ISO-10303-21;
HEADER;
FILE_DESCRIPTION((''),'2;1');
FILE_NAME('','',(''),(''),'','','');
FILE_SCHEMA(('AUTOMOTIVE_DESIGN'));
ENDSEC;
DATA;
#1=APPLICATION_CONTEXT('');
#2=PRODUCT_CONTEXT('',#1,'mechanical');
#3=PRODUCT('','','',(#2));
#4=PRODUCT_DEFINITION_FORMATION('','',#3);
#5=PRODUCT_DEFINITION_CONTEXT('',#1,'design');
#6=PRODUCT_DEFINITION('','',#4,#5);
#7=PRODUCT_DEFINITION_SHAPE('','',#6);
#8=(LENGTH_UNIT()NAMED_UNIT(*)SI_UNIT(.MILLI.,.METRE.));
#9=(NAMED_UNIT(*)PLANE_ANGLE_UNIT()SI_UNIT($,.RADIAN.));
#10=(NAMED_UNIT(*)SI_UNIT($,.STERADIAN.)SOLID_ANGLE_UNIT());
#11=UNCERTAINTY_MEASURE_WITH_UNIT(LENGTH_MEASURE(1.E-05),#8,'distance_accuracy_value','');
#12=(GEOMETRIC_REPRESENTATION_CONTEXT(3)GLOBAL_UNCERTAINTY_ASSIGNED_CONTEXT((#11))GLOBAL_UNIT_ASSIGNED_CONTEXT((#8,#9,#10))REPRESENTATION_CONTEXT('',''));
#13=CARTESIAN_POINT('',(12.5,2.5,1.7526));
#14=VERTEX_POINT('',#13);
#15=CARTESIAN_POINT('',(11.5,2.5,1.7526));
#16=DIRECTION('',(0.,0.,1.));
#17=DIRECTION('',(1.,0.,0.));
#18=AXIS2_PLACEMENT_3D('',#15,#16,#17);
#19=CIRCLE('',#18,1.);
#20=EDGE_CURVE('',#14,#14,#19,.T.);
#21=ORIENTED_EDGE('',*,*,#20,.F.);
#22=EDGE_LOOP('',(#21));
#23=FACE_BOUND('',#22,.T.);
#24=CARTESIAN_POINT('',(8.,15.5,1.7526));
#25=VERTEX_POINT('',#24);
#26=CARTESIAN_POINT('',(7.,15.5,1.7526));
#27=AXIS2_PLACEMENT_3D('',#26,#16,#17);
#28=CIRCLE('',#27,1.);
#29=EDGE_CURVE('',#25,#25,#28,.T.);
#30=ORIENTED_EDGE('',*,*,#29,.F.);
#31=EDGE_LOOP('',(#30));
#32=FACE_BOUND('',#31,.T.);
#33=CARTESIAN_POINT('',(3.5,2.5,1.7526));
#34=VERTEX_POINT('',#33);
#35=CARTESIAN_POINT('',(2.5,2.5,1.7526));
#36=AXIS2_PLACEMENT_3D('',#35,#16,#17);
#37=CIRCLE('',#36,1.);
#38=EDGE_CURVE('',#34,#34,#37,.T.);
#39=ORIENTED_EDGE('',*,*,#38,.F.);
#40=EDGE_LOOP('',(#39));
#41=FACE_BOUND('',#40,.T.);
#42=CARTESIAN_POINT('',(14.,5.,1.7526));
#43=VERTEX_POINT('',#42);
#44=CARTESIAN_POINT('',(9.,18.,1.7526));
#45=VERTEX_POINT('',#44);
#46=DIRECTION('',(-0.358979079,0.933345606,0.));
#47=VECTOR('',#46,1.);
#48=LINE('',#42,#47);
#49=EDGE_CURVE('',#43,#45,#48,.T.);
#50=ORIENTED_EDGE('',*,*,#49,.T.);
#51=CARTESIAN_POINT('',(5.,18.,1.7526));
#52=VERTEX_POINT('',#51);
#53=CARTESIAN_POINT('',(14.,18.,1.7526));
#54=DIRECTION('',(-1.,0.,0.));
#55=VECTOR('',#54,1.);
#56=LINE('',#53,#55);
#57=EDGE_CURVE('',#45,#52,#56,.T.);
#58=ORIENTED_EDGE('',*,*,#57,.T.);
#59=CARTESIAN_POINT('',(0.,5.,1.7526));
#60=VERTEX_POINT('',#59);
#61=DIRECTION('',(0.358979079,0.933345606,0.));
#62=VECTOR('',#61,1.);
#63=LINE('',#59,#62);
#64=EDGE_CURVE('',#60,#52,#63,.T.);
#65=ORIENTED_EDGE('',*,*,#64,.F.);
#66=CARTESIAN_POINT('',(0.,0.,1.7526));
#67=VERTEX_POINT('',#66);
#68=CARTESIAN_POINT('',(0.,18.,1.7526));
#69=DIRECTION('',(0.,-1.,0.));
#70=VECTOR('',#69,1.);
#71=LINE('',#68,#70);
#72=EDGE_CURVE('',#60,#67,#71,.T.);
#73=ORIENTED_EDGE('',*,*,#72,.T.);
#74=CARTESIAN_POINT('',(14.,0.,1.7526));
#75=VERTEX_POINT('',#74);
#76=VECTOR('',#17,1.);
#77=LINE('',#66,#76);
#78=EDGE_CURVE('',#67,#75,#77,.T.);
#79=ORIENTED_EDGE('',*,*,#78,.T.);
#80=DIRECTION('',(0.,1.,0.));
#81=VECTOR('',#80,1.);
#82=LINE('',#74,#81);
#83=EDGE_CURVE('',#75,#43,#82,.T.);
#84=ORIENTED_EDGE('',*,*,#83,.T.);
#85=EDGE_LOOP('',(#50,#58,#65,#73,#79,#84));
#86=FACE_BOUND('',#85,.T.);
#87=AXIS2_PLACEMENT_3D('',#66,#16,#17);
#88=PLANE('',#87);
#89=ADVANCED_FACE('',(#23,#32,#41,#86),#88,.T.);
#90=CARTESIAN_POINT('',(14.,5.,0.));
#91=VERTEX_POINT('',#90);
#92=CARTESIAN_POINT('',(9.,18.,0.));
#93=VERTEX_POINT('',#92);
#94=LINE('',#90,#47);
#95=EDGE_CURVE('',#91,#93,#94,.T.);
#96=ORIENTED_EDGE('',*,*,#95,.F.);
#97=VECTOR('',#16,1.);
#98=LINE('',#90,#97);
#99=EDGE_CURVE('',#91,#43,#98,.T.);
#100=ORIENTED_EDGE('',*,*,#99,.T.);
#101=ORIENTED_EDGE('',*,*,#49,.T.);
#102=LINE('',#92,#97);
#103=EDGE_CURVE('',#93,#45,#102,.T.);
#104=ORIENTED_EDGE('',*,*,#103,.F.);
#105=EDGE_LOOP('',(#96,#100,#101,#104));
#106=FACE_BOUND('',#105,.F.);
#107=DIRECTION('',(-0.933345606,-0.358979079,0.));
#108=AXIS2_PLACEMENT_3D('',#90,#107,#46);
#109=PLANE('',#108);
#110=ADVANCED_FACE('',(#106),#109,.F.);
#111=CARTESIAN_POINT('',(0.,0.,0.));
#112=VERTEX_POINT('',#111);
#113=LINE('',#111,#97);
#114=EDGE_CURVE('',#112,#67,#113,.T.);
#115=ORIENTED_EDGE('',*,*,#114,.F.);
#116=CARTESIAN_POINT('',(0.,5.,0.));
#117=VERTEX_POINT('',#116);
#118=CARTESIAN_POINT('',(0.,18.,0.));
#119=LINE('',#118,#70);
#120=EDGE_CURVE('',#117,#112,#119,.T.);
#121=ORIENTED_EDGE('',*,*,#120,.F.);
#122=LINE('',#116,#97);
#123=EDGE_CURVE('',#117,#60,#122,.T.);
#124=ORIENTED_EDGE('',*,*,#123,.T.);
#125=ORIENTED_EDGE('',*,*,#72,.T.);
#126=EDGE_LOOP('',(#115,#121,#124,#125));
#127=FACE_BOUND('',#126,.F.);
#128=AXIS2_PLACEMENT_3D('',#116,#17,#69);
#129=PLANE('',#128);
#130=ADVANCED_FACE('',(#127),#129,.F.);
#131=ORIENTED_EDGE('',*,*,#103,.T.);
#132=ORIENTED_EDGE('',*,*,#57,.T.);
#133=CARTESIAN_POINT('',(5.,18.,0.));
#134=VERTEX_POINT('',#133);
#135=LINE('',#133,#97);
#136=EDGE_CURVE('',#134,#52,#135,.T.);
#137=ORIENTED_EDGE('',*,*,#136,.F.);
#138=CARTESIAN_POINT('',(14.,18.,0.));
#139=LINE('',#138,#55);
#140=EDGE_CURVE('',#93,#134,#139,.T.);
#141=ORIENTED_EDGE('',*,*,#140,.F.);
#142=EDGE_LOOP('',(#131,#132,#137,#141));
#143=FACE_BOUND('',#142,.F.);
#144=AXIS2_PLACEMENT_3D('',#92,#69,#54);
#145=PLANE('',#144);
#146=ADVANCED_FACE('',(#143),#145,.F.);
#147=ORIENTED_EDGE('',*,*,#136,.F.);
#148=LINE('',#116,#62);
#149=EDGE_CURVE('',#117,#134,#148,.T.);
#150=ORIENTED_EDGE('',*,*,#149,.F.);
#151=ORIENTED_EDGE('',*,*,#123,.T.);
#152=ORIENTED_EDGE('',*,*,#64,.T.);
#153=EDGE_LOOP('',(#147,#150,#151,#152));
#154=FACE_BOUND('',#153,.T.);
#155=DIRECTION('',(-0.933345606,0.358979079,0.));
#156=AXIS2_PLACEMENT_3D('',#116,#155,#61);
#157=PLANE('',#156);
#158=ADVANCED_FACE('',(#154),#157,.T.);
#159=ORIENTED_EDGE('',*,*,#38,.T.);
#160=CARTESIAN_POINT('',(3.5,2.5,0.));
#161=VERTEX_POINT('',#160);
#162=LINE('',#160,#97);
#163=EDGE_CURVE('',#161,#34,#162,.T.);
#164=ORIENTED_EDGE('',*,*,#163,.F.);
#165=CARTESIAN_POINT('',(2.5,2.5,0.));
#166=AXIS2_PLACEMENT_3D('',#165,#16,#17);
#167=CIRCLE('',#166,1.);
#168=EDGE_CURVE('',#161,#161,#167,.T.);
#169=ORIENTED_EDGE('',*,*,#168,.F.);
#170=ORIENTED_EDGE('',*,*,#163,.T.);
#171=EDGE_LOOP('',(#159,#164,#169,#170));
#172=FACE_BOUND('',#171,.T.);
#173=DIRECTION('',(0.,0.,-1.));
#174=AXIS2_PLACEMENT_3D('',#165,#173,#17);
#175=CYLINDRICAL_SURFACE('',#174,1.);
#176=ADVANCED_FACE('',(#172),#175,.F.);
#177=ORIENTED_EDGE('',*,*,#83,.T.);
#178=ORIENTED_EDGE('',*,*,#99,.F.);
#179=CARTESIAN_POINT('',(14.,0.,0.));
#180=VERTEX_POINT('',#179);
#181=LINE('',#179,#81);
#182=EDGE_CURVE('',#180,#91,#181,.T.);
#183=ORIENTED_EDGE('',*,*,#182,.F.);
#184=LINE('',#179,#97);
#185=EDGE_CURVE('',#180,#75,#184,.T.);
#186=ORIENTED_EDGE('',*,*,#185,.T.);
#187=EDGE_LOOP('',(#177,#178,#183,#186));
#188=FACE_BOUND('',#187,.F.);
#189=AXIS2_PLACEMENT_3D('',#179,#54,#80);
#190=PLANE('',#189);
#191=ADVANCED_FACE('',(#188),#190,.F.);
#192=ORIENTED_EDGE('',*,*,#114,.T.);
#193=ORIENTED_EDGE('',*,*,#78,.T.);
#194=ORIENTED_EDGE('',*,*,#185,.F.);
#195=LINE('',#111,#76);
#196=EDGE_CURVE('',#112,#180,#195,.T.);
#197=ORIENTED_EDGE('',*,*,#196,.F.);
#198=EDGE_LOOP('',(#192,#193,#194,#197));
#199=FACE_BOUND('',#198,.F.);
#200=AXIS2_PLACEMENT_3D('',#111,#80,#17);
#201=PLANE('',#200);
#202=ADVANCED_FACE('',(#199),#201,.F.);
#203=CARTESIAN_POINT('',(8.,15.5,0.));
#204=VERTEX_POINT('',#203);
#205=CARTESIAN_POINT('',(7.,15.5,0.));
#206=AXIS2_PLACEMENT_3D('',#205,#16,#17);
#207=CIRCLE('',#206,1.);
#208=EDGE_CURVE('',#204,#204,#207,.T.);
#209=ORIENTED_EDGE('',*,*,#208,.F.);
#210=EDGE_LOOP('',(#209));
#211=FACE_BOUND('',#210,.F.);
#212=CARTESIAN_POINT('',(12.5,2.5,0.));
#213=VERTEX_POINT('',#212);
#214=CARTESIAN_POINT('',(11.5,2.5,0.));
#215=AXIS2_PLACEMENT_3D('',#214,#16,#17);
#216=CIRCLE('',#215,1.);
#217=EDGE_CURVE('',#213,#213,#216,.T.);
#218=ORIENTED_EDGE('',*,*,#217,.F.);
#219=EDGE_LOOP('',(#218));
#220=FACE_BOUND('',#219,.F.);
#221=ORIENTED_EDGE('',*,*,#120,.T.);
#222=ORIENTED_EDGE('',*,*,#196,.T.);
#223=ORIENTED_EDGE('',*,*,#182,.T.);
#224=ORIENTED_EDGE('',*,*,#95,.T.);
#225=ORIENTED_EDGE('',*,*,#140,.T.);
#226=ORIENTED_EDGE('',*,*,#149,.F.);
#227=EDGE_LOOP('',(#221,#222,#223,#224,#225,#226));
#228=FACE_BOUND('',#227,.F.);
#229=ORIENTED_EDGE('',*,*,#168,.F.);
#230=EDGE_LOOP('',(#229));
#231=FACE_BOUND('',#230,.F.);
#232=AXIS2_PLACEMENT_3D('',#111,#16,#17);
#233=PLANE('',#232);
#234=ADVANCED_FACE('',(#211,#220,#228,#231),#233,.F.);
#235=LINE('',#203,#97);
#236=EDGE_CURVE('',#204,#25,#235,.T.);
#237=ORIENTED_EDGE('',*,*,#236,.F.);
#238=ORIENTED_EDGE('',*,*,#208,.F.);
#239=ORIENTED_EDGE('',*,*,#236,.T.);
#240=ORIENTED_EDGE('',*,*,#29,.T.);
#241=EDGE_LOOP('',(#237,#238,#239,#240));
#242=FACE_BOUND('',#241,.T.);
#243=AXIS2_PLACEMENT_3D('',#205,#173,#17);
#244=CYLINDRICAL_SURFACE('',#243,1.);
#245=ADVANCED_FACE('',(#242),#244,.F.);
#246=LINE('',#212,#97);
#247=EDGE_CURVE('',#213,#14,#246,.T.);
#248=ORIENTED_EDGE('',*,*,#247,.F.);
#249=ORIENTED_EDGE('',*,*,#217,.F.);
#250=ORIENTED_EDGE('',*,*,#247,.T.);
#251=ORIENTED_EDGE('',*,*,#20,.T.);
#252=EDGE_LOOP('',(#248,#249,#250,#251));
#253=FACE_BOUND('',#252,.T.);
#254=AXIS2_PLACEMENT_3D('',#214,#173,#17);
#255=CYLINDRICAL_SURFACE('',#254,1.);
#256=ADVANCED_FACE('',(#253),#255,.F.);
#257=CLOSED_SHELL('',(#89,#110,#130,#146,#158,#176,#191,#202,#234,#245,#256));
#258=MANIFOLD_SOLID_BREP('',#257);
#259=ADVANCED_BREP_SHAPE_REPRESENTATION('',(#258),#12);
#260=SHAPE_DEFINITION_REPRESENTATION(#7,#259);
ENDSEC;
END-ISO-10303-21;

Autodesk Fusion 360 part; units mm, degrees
sketch "windowThroughHoles" plane through (0, 0, 0) normal (0, 0, 1) x (1, 0, 0)
  line L0 (0, 0) -> (14, 0)
  line L1 (0, 5) -> (5, 18)
  circle A0 centre (7, 15.5) radius 1
  circle A1 centre (2.5, 2.5) radius 1
  circle A2 centre (11.5, 2.5) radius 1
  line L2 (14, 18) -> (0, 18)
  line L3 (0, 18) -> (0, 0)
  line L4 (5, 18) -> (9, 18)
  line L5 (0, 0) -> (0, 5)
  line L6 (14, 5) -> (9, 18)
  line L7 (0, 0) -> (14, 0)
  line L8 (14, 0) -> (14, 5)
  line L9 (14, 0) -> (14, 18)
  dimension "d1" = 13
  dimension "d2" = 4.5
  dimension "d3" = 13
  dimension "d4" = 4.5
  dimension "d5" = 18
  dimension "d6" = 14
  dimension "d7" = 13.9284
  dimension "d8" = 13.9284
  dimension "d9" = 4
  dimension "d10" = 2
extrude "Extrude1" add sketch "windowThroughHoles" along normal blind 1.7526 contours L0 L1 L2 L3 L4 L5 L6 L7 L8 L9
